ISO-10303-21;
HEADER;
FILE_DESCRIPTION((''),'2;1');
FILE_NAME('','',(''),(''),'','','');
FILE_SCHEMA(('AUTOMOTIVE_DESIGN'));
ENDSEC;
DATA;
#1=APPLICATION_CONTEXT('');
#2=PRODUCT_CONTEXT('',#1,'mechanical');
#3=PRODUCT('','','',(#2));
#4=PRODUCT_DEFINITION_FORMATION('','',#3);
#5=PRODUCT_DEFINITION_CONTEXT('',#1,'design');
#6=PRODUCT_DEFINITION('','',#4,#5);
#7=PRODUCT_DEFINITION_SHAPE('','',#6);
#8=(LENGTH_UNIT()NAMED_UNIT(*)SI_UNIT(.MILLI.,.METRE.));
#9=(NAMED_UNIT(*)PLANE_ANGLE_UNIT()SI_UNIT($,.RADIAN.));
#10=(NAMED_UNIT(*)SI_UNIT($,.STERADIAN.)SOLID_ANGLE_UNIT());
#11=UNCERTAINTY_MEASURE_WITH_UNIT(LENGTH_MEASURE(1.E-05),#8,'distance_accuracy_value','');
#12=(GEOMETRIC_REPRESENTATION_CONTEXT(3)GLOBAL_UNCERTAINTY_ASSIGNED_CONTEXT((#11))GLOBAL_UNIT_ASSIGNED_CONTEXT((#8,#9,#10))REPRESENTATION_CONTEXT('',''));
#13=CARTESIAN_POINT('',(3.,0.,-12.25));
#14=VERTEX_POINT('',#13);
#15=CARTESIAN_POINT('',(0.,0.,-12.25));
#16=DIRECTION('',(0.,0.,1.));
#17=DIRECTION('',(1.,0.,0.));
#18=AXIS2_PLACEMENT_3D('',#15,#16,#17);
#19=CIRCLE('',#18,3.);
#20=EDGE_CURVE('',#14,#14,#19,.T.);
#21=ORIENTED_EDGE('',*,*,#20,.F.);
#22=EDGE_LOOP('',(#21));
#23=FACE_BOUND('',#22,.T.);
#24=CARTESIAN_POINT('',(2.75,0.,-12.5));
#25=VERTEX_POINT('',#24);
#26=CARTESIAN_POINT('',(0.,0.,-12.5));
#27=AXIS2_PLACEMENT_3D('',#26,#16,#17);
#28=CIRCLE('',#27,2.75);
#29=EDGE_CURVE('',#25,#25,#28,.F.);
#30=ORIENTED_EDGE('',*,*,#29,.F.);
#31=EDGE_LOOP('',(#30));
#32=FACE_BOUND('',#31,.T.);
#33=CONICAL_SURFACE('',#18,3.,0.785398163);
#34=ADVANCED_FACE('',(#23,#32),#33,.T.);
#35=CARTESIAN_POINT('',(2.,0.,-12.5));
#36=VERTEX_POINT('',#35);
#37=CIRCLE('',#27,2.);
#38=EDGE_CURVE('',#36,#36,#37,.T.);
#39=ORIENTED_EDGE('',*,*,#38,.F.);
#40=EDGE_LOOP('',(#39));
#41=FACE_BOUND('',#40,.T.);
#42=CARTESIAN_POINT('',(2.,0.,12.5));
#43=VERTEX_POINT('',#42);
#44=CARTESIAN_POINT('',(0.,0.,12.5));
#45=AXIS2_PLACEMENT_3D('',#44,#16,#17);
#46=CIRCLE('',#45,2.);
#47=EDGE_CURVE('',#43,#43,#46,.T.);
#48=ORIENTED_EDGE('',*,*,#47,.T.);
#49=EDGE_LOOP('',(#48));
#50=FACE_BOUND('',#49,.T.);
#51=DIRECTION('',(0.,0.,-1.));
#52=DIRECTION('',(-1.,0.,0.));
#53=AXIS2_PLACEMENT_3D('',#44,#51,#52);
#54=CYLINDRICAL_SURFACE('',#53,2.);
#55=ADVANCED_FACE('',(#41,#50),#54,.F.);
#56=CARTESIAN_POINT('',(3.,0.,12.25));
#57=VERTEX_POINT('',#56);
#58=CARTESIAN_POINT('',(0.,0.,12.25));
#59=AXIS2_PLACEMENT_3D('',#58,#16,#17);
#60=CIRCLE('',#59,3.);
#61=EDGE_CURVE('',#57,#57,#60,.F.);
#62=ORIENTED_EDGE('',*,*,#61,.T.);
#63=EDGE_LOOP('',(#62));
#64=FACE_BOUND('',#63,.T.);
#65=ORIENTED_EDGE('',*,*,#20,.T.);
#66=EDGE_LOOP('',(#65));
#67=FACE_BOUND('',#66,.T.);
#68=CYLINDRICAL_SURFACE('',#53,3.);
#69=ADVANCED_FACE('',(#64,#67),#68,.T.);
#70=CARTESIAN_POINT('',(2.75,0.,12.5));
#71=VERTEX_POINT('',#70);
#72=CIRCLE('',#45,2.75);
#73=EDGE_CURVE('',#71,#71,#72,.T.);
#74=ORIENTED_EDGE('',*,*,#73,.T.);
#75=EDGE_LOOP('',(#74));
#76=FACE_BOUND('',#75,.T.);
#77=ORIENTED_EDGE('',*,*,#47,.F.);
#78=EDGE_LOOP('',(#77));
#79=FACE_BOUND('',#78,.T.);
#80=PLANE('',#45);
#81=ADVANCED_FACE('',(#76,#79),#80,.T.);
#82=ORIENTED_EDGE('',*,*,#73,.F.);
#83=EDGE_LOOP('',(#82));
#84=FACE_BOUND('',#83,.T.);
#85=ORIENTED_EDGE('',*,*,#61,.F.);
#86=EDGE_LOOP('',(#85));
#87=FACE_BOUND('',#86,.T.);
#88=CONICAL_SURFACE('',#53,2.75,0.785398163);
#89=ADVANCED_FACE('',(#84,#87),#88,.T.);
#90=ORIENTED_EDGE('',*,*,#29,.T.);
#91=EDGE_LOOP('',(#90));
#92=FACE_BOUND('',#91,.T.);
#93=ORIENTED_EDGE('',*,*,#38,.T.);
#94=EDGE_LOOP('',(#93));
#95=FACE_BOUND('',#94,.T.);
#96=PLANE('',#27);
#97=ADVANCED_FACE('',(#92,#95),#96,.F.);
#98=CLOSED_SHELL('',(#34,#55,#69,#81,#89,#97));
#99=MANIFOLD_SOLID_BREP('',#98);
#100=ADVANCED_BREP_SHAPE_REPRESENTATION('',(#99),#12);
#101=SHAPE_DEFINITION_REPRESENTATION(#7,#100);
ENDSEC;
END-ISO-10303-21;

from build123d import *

# Parameters (mm, degrees)
SKETCH1_R           = 3
SKETCH1_R_2         = 2
BOSS_EXTRUDE1_DEPTH = 12.5
CHAMFER1_SIZE       = 0.25


with BuildPart() as part:
    # Sketch1 → Boss-Extrude1 (new body, symmetric)
    with BuildSketch(Plane.XY):
        Circle(SKETCH1_R)
        Circle(SKETCH1_R_2, mode=Mode.SUBTRACT)
    extrude(amount=BOSS_EXTRUDE1_DEPTH, both=True)

    # Chamfer1
    chamfer1_edges = [part.edges().sort_by_distance(p)[0] for p in [
        (-3, 0, -12.5),
        (-3, 0, 12.5),
    ]]
    chamfer(chamfer1_edges, length=CHAMFER1_SIZE)


solid = part.part
